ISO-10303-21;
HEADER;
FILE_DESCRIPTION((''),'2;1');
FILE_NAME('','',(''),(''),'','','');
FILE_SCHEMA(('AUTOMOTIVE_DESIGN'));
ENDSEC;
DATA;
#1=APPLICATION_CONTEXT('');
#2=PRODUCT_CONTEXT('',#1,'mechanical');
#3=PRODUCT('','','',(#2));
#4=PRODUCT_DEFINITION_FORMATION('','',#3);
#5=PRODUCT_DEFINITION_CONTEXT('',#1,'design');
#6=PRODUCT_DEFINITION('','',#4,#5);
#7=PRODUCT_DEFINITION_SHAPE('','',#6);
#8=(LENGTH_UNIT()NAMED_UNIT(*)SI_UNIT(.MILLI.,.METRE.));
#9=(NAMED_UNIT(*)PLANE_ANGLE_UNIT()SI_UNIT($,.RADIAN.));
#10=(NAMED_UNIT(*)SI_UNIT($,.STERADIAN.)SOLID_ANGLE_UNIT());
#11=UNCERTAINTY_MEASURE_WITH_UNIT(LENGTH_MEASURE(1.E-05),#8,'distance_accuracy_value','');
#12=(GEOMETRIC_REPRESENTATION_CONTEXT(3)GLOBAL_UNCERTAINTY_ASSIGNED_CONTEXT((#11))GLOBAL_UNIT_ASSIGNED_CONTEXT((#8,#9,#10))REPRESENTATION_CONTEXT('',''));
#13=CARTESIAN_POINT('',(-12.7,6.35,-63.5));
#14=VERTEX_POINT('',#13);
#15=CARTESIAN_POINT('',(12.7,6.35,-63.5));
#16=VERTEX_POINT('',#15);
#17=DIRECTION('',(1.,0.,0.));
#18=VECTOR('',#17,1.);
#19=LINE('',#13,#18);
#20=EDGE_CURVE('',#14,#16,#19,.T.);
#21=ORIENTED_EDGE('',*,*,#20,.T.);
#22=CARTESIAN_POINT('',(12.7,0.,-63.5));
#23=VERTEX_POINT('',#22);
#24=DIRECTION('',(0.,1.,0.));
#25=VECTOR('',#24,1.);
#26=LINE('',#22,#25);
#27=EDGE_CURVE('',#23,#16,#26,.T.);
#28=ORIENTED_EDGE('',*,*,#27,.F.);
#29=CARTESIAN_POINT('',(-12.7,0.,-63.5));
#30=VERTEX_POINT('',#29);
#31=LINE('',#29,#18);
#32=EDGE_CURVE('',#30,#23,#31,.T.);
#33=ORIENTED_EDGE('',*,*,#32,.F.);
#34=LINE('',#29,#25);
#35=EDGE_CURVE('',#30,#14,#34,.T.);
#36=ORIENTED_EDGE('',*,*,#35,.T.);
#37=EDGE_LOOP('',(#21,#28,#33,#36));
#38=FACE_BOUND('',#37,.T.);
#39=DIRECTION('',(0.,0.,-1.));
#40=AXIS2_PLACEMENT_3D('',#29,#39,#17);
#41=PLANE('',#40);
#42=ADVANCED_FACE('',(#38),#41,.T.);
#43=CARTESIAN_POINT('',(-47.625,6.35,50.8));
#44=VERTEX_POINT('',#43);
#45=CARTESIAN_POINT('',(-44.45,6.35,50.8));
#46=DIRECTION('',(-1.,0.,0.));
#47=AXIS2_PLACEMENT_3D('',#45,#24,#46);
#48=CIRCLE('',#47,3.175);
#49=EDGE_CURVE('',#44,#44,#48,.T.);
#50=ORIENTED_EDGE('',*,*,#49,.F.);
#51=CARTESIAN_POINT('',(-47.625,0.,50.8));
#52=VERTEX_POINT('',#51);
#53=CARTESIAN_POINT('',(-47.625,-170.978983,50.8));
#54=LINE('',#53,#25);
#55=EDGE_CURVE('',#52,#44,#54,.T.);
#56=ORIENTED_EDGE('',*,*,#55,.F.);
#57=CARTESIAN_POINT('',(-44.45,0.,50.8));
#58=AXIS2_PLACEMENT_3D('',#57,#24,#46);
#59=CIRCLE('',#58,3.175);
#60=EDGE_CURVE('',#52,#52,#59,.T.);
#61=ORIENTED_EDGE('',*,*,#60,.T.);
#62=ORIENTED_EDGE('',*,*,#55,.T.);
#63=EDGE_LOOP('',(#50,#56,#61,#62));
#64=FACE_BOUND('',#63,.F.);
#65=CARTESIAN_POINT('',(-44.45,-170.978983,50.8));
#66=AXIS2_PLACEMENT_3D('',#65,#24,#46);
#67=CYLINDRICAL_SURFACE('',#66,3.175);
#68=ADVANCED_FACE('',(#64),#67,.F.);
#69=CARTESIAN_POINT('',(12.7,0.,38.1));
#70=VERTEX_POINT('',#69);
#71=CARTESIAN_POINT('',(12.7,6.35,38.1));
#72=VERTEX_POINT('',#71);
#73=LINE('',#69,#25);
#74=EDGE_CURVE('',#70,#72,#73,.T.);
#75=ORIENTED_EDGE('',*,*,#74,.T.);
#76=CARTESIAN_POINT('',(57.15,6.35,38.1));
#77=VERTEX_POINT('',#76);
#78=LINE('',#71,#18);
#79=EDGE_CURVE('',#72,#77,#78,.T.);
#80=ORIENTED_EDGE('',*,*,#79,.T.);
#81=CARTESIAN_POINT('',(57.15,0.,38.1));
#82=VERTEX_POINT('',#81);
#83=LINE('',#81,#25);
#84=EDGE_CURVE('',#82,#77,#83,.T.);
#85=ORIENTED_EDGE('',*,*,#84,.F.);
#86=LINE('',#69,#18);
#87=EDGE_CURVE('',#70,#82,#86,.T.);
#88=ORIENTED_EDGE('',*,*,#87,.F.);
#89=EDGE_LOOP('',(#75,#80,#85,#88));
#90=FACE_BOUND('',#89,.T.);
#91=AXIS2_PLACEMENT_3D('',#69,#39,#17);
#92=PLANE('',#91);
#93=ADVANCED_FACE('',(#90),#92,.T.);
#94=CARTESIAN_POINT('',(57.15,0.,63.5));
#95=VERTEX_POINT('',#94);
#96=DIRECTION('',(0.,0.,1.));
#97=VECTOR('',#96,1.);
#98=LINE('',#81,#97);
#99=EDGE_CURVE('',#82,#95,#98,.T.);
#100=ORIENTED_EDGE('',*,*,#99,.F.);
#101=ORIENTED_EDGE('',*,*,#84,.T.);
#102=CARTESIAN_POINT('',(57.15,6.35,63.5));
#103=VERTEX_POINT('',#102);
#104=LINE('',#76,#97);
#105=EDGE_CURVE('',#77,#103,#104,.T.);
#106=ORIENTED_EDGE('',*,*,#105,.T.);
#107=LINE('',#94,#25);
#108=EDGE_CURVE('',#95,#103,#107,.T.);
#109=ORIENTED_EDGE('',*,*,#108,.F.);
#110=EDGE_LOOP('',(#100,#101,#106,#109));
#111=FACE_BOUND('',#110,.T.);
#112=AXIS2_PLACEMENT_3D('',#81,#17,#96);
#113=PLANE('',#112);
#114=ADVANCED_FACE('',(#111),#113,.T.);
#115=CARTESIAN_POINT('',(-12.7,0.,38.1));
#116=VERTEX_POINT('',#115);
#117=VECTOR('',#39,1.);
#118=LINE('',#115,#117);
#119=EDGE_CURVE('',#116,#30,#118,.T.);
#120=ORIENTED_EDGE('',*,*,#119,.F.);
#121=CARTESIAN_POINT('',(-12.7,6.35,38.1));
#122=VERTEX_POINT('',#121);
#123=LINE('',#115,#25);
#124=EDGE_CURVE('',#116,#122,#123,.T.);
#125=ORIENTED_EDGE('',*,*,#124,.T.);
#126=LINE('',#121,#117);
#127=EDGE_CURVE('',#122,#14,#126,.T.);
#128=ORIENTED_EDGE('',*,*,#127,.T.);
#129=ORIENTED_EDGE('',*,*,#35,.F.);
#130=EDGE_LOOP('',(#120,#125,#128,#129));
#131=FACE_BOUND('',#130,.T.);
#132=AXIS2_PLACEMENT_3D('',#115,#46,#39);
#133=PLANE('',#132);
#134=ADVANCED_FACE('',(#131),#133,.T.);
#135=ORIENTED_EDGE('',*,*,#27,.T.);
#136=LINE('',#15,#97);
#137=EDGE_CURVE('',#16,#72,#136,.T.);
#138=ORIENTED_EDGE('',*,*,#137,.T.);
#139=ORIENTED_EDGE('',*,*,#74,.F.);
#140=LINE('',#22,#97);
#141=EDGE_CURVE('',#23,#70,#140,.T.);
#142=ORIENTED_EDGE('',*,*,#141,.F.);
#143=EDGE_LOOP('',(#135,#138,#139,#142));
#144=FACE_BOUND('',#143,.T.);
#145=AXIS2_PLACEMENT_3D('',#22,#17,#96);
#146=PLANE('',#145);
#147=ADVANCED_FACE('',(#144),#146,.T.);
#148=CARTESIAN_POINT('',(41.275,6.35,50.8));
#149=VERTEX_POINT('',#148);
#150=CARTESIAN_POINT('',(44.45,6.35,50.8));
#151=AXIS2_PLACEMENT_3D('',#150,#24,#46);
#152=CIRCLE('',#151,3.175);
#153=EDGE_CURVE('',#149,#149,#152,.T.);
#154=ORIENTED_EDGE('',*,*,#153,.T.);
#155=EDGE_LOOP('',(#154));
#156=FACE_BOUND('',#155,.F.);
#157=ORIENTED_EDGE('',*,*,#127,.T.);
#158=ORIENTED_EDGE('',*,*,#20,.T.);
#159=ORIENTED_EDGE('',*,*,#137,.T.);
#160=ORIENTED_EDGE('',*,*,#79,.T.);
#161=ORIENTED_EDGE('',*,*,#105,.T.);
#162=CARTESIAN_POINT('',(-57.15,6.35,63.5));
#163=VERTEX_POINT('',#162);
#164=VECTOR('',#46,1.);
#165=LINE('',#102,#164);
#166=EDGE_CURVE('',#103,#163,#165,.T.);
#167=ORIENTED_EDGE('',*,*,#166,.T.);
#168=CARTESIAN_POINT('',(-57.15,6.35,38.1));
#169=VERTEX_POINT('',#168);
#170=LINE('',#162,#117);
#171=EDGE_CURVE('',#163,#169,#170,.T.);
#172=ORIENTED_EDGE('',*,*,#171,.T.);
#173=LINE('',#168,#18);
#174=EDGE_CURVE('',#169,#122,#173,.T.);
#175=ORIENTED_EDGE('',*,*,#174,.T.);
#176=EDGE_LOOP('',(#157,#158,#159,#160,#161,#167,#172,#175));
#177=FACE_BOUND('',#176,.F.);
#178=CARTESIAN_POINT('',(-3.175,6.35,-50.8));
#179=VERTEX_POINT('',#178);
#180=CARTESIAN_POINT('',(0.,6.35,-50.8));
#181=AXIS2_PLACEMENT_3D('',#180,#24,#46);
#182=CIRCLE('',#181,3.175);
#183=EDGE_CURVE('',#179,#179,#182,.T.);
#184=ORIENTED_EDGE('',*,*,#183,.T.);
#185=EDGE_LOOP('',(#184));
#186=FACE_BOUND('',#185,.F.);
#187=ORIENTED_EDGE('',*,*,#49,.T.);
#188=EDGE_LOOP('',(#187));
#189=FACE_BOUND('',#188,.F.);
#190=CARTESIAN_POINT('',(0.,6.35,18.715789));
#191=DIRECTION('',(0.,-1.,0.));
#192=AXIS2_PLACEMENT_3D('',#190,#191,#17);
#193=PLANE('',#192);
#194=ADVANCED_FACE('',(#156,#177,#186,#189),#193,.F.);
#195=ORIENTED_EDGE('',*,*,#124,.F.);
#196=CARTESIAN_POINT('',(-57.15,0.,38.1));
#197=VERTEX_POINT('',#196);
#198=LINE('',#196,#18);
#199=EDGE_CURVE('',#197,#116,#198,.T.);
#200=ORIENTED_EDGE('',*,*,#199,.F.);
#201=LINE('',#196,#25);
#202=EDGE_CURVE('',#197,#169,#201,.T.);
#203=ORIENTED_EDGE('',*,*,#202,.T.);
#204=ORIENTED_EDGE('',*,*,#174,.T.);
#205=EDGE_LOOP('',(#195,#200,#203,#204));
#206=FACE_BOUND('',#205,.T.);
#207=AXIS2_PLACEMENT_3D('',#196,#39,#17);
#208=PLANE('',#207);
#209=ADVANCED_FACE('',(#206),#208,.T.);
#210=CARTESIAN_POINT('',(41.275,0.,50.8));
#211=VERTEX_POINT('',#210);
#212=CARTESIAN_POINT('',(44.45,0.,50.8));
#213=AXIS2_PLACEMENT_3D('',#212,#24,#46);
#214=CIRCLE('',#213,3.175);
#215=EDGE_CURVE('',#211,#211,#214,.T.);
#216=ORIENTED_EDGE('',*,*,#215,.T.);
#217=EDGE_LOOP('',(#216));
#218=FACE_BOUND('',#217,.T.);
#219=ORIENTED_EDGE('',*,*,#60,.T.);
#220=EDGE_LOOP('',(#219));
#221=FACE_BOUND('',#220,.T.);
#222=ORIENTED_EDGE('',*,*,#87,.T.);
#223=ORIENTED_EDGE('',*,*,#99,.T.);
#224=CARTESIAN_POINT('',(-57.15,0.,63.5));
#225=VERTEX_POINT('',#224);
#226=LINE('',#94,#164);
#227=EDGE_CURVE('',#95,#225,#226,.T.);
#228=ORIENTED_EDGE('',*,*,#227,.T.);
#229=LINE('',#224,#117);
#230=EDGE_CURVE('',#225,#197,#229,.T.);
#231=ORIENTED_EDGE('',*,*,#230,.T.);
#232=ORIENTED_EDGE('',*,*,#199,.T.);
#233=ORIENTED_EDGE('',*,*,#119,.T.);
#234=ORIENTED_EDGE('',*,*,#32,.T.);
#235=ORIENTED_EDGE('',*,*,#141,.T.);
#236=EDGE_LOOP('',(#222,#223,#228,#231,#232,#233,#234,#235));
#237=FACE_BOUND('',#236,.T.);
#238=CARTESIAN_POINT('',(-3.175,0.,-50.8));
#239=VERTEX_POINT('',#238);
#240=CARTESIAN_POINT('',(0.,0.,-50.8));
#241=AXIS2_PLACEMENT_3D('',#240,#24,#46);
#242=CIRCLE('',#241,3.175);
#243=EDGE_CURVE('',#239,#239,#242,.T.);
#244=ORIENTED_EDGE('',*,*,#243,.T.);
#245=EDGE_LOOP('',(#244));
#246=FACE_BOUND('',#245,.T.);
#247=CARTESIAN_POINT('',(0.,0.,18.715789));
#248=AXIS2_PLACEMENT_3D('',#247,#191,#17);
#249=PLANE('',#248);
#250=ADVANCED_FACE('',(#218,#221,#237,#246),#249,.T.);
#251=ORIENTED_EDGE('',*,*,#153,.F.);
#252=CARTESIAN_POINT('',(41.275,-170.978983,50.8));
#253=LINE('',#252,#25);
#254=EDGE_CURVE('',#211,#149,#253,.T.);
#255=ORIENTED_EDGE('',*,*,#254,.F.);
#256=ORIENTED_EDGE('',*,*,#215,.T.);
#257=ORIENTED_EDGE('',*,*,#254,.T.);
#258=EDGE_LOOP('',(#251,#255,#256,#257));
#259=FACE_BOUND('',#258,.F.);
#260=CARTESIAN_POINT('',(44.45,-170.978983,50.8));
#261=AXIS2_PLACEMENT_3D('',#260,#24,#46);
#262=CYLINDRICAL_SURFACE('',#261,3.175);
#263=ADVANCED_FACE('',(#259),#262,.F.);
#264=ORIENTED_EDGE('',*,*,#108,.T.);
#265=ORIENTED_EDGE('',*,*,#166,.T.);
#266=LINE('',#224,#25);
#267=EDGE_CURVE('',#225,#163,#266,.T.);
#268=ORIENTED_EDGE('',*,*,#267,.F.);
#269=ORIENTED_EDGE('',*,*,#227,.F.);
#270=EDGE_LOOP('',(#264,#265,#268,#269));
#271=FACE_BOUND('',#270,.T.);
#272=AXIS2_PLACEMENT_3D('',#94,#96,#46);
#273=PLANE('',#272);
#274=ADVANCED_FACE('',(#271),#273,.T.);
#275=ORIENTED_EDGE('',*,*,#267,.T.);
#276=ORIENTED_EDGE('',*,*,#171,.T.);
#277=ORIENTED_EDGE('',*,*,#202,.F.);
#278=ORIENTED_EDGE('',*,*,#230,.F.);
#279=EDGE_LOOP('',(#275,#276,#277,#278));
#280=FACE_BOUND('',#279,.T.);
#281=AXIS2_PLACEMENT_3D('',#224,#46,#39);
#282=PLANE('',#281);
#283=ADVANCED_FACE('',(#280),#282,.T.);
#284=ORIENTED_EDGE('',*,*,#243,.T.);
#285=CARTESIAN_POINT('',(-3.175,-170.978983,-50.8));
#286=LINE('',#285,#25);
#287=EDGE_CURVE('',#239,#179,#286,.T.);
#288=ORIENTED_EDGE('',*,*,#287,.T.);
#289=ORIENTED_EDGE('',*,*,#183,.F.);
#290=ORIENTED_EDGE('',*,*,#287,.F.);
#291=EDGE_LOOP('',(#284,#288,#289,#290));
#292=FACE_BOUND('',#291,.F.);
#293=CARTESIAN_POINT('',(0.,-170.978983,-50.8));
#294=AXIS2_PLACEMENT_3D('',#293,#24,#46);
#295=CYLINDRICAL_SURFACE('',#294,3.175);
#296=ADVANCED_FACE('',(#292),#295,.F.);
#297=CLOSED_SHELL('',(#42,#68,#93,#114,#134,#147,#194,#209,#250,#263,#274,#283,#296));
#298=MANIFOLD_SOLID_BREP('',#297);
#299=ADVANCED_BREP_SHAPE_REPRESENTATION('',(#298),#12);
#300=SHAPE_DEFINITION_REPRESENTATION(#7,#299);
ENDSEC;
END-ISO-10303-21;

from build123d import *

# Parameters (mm, degrees)
F1_DEPTH = 6.35
F2_D     = 6.35


with BuildPart() as f1:
    # F0 (on Front) → F1 (new body)
    with BuildSketch(Plane.XZ):
        Polygon((-12.7, -63.5), (12.7, -63.5), (12.7, 38.1), (57.15, 38.1), (57.15, 63.5), (-57.15, 63.5), (-57.15, 38.1), (-12.7, 38.1), align=None)
    extrude(amount=-F1_DEPTH)

    # F2 (through all)
    with Locations(Plane.XZ):
        with Locations((-44.45, 50.8), (44.45, 50.8), (0, -50.8)):
            Hole(F2_D / 2)


solid = f1.part
